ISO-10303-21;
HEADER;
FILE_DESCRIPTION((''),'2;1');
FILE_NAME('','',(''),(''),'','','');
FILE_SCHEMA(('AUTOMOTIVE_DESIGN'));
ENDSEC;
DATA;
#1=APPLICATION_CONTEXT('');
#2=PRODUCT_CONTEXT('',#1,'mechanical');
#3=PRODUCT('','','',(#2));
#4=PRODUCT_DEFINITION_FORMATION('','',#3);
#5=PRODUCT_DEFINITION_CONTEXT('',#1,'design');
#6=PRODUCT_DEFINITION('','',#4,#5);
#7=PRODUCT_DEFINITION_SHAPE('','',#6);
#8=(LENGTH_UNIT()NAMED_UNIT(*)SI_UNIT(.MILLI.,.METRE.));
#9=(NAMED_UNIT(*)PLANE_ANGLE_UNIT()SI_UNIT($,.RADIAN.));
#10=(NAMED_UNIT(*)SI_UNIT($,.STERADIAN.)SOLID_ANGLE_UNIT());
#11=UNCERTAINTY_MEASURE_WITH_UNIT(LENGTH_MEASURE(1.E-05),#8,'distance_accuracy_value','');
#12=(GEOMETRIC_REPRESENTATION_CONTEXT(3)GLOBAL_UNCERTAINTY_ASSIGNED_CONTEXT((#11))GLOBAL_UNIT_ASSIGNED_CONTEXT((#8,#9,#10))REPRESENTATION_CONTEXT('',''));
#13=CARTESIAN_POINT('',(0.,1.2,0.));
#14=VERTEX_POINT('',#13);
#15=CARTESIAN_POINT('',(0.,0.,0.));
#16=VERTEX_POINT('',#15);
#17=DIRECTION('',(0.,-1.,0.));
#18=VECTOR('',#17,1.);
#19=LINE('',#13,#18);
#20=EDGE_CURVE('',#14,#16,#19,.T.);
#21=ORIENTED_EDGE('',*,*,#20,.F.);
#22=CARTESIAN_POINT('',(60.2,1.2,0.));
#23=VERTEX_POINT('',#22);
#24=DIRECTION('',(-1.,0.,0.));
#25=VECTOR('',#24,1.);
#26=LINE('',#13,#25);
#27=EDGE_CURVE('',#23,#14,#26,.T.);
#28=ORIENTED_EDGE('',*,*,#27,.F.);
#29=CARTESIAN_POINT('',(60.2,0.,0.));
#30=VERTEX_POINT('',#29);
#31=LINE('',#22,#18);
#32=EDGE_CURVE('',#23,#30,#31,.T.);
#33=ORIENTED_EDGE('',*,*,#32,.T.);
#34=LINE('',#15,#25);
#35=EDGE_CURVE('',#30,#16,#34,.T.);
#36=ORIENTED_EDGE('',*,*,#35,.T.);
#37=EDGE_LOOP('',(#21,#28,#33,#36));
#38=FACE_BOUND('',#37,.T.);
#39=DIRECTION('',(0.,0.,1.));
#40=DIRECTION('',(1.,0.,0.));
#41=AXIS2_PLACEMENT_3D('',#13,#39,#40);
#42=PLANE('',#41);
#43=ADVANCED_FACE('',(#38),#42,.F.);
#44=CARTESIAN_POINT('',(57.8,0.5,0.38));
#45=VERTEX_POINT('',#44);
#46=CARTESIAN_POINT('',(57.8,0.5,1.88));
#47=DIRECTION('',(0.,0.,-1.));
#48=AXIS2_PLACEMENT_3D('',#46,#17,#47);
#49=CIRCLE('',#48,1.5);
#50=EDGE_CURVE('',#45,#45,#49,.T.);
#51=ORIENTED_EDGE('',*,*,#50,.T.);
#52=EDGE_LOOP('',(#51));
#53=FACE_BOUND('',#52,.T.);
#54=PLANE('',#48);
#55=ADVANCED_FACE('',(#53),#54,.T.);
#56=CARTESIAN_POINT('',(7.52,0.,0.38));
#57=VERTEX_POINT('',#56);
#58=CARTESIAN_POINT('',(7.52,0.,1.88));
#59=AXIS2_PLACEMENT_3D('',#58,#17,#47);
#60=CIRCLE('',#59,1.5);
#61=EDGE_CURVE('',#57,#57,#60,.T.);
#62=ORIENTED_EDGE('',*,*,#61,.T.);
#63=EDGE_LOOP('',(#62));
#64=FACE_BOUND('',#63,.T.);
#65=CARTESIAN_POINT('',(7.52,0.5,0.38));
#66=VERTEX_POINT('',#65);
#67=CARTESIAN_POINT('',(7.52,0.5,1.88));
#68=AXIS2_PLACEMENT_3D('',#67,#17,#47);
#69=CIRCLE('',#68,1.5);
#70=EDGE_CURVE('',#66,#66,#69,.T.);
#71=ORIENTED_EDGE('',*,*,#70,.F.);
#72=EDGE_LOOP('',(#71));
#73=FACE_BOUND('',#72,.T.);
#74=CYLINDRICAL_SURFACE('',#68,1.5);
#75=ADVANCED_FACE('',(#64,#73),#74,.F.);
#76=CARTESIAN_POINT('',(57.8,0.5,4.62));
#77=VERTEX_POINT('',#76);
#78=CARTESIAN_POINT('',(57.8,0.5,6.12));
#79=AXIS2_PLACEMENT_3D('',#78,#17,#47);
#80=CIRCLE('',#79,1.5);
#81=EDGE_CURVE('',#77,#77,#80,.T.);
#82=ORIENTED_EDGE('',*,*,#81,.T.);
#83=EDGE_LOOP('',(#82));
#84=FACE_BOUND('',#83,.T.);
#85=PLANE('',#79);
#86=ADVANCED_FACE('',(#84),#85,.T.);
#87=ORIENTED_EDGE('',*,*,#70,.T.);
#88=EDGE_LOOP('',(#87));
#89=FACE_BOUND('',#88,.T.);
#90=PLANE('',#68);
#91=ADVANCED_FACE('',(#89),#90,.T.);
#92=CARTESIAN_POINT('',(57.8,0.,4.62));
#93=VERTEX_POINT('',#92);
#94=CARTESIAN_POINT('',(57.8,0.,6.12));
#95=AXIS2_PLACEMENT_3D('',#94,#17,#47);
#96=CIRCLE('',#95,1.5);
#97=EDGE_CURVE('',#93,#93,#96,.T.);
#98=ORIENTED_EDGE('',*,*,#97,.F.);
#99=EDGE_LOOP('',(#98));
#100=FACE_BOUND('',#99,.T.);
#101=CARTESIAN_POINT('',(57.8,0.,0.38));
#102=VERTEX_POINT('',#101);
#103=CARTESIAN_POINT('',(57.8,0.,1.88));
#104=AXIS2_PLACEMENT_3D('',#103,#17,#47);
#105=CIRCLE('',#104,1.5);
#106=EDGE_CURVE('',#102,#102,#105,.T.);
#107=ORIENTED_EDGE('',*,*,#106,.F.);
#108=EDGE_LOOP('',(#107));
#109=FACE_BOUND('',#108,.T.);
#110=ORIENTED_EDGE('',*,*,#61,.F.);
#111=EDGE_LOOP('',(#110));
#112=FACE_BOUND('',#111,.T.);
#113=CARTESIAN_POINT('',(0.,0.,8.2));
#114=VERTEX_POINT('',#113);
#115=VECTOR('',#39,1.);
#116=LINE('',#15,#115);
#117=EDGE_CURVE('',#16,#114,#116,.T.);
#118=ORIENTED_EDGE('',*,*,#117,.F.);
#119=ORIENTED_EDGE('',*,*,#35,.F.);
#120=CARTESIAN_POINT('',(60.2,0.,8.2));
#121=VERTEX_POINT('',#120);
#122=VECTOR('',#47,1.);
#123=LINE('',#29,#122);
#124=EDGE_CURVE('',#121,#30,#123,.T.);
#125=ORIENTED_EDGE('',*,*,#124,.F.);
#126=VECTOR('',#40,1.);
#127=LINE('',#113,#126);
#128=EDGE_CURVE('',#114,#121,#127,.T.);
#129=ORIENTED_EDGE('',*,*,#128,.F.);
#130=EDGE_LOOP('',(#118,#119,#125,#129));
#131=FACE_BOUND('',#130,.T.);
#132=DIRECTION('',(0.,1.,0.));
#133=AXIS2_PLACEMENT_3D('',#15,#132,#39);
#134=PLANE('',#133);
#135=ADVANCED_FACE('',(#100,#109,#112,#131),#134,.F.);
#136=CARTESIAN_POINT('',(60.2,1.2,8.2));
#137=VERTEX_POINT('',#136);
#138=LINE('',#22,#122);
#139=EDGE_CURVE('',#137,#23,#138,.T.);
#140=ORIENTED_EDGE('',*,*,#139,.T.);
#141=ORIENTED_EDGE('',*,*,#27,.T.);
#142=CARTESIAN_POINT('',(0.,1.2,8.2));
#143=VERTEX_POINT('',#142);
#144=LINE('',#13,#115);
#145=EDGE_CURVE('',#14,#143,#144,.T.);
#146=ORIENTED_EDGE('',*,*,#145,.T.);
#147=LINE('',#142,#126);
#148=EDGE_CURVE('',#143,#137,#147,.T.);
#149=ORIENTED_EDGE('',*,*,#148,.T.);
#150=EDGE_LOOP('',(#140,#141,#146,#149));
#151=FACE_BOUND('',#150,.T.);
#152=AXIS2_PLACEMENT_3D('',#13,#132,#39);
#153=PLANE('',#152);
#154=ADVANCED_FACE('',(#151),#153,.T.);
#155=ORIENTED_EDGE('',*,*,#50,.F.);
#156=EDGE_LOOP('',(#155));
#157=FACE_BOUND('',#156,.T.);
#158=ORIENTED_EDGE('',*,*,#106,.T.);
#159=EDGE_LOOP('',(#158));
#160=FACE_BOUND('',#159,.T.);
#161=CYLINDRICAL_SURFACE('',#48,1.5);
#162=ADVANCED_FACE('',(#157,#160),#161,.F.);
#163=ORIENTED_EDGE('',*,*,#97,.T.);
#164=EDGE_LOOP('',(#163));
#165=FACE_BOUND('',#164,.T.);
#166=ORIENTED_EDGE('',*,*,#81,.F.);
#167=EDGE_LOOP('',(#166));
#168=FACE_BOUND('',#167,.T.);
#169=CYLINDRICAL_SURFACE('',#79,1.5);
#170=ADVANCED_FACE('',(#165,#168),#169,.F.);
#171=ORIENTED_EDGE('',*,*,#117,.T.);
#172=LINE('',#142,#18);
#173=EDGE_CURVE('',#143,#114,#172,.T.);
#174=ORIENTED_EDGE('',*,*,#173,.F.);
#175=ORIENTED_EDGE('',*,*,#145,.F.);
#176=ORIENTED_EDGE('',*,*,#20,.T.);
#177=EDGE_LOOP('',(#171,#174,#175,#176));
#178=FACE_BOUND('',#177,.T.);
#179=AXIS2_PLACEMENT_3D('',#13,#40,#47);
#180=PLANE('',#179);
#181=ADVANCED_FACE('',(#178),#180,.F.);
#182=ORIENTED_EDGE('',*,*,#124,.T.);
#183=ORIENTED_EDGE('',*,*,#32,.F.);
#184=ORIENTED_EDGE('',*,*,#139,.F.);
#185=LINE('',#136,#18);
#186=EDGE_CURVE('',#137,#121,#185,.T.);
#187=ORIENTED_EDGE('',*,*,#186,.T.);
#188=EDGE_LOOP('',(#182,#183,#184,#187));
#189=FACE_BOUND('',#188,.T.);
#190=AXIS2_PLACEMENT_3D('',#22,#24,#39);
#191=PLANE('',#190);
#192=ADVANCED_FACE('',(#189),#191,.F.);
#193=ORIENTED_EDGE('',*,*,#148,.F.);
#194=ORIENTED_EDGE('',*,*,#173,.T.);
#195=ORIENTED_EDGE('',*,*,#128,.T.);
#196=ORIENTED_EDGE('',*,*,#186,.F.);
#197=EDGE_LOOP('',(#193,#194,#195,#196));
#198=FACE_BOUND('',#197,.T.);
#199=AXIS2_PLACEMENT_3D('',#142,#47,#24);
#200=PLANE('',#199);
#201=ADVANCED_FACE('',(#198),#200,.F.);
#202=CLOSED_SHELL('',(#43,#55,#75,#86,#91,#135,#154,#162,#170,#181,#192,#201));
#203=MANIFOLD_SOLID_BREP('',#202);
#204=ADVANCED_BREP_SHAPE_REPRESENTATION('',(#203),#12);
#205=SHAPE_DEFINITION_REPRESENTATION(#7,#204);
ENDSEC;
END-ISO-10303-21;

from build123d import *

# Parameters (mm, degrees)
SKETCH1_W           = 60.2
SKETCH1_H           = 8.2
BOSS_EXTRUDE1_DEPTH = 1.2
SKETCH2_R           = 1.5
CUT_EXTRUDE1_DEPTH  = 0.5


with BuildPart() as part:
    # Sketch1 → Boss-Extrude1 (new body)
    with BuildSketch(Plane(origin=(0, 0, 0), x_dir=(1, 0, 0), z_dir=(0, 1, 0))):
        with Locations((30.1, -4.1)):
            Rectangle(SKETCH1_W, SKETCH1_H)
    extrude(amount=BOSS_EXTRUDE1_DEPTH)

    # Sketch2 → Cut-Extrude1 (cut)
    with BuildSketch(Plane(origin=(0, 0, 0), x_dir=(-1, 0, 0), z_dir=(0, -1, 0))):
        with Locations(Location((-7.52, -1.88, 0), (0, 0, 90))):
            Circle(SKETCH2_R)
        with Locations(Location((-57.8, -1.88, 0), (0, 0, 90))):
            Circle(SKETCH2_R)
        with Locations(Location((-57.8, -6.12, 0), (0, 0, 90))):
            Circle(SKETCH2_R)
    extrude(amount=-CUT_EXTRUDE1_DEPTH, mode=Mode.SUBTRACT)


solid = part.part
